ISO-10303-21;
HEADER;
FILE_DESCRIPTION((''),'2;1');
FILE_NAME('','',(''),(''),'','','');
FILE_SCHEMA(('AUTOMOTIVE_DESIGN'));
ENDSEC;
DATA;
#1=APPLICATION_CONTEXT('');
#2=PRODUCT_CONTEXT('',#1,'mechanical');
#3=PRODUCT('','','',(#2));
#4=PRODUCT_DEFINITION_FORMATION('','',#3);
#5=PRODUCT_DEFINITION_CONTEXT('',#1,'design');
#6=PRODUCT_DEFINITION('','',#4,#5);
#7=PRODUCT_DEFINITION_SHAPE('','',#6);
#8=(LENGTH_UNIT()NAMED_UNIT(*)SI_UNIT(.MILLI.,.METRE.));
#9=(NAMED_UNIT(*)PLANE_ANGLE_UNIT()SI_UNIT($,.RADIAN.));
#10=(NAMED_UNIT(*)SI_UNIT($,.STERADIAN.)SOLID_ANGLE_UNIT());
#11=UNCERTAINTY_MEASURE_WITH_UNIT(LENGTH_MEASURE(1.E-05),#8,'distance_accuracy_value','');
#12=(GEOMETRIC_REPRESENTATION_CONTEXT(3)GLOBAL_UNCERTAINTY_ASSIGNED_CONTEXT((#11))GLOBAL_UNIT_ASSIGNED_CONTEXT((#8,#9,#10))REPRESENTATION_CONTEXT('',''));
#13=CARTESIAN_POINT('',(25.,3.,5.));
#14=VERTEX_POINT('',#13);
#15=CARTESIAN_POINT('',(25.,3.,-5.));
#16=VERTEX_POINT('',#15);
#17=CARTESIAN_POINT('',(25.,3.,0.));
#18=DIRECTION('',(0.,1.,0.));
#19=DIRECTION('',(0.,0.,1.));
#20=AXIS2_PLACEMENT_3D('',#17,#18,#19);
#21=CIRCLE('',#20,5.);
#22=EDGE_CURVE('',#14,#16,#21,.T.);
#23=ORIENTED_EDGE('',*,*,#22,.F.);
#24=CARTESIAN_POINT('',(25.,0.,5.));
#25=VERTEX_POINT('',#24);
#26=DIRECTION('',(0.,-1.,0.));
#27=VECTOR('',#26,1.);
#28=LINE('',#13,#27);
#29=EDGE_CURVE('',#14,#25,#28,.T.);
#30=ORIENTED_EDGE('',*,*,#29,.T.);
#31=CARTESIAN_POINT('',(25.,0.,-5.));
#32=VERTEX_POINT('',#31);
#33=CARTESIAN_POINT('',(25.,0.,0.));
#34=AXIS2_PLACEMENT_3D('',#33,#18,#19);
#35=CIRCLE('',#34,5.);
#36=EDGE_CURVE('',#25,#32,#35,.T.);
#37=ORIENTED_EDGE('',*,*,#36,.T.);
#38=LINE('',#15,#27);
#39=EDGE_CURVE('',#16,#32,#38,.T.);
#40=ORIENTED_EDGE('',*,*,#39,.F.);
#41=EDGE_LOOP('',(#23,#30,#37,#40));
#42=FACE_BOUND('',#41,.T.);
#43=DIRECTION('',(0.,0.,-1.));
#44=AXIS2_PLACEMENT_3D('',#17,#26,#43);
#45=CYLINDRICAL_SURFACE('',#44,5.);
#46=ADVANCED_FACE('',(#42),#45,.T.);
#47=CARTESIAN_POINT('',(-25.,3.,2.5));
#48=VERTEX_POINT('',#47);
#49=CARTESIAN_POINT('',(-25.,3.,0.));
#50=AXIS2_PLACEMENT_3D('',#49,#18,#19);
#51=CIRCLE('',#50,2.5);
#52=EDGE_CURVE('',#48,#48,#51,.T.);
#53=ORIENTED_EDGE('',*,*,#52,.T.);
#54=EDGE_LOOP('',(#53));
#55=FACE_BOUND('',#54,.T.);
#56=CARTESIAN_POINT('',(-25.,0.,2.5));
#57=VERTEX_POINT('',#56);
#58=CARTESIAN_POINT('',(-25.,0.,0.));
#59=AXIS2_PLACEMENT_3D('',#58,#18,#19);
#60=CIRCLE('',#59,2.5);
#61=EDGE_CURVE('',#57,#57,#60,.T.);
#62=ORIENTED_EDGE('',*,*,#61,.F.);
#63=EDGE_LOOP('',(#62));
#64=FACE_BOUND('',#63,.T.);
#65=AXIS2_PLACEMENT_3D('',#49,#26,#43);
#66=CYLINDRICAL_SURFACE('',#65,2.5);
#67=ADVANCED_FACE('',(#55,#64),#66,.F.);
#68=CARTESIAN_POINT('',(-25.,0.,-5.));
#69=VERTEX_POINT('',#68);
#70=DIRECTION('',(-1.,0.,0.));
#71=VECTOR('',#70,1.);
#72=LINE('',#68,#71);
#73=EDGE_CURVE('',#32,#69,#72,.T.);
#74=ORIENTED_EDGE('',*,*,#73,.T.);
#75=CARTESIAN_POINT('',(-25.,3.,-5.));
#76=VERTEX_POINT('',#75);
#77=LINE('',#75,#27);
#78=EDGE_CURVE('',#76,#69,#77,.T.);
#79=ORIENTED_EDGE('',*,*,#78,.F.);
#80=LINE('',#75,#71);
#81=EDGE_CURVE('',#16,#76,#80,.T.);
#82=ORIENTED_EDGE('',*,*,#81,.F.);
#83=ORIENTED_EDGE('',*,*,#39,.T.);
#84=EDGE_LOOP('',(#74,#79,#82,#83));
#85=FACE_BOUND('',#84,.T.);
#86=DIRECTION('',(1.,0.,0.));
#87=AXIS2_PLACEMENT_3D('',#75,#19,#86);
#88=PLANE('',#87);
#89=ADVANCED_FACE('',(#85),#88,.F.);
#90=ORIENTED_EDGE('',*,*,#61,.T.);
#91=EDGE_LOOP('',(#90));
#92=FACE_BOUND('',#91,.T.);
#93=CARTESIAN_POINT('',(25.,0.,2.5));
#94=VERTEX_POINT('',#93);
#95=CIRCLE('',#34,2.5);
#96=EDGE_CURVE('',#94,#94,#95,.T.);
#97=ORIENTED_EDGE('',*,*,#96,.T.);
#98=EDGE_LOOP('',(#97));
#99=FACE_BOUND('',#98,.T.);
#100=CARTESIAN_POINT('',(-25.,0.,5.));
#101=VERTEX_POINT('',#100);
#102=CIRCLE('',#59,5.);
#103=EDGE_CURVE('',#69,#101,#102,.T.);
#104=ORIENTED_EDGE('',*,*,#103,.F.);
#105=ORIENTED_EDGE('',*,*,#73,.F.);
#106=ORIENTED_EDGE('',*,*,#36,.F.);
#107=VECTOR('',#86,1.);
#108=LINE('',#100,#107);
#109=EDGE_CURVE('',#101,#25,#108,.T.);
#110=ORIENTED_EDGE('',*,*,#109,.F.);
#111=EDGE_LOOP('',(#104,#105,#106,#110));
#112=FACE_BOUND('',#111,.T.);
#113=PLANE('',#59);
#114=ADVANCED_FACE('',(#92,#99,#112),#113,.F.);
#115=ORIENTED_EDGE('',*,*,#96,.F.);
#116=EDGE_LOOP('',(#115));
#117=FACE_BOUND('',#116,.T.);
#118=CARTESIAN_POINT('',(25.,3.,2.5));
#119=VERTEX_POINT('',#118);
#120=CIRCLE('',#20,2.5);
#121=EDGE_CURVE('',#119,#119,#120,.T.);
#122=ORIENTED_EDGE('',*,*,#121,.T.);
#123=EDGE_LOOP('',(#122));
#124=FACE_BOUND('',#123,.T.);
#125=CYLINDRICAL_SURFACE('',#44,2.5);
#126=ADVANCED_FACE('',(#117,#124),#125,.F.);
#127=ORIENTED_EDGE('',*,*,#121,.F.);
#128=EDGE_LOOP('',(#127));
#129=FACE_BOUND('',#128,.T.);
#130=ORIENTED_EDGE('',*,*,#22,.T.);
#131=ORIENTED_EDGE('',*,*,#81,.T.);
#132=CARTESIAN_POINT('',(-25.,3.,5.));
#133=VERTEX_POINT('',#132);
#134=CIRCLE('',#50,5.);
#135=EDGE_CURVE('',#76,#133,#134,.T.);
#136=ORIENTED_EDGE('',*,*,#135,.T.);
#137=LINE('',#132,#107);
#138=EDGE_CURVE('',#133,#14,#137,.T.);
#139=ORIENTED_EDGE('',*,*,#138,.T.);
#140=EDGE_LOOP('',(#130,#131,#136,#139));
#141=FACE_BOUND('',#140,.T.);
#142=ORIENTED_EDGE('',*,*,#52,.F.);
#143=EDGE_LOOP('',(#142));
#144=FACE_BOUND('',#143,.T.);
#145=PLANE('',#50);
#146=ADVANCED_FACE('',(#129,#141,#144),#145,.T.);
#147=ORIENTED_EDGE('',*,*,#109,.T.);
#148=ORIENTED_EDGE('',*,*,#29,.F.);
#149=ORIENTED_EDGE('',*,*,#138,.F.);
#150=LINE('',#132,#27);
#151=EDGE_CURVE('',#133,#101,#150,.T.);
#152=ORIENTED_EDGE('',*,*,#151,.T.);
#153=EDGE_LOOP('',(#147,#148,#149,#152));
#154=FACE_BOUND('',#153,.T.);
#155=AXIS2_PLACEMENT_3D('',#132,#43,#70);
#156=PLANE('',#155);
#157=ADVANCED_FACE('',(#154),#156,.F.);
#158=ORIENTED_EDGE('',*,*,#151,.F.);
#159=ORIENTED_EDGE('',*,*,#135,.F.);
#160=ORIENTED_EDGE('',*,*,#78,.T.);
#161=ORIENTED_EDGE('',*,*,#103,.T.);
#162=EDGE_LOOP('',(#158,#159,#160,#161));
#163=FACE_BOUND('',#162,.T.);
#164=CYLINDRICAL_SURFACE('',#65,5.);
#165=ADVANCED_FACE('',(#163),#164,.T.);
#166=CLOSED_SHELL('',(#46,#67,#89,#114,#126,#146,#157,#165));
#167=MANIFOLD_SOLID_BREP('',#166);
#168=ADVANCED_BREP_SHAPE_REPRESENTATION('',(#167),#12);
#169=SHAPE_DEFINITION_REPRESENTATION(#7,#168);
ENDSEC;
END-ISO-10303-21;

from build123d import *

# Parameters (mm, degrees)
CROQUIS1_R              = 2.5
SALIENTE_EXTRUIR1_DEPTH = 3


with BuildPart() as part:
    # Croquis1 → Saliente-Extruir1 (new body)
    with BuildSketch(Plane(origin=(0, 0, 0), x_dir=(1, 0, 0), z_dir=(0, 1, 0))):
        with BuildLine():
            Line((-25, 5), (25, 5))
            ThreePointArc((25, 5), (30, 0), (25, -5))
            Line((25, -5), (-25, -5))
            ThreePointArc((-25, -5), (-30, 0), (-25, 5))
        make_face()
        with Locations((-25, 0)):
            Circle(CROQUIS1_R, mode=Mode.SUBTRACT)
        with Locations((25, 0)):
            Circle(CROQUIS1_R, mode=Mode.SUBTRACT)
    extrude(amount=SALIENTE_EXTRUIR1_DEPTH)


solid = part.part
